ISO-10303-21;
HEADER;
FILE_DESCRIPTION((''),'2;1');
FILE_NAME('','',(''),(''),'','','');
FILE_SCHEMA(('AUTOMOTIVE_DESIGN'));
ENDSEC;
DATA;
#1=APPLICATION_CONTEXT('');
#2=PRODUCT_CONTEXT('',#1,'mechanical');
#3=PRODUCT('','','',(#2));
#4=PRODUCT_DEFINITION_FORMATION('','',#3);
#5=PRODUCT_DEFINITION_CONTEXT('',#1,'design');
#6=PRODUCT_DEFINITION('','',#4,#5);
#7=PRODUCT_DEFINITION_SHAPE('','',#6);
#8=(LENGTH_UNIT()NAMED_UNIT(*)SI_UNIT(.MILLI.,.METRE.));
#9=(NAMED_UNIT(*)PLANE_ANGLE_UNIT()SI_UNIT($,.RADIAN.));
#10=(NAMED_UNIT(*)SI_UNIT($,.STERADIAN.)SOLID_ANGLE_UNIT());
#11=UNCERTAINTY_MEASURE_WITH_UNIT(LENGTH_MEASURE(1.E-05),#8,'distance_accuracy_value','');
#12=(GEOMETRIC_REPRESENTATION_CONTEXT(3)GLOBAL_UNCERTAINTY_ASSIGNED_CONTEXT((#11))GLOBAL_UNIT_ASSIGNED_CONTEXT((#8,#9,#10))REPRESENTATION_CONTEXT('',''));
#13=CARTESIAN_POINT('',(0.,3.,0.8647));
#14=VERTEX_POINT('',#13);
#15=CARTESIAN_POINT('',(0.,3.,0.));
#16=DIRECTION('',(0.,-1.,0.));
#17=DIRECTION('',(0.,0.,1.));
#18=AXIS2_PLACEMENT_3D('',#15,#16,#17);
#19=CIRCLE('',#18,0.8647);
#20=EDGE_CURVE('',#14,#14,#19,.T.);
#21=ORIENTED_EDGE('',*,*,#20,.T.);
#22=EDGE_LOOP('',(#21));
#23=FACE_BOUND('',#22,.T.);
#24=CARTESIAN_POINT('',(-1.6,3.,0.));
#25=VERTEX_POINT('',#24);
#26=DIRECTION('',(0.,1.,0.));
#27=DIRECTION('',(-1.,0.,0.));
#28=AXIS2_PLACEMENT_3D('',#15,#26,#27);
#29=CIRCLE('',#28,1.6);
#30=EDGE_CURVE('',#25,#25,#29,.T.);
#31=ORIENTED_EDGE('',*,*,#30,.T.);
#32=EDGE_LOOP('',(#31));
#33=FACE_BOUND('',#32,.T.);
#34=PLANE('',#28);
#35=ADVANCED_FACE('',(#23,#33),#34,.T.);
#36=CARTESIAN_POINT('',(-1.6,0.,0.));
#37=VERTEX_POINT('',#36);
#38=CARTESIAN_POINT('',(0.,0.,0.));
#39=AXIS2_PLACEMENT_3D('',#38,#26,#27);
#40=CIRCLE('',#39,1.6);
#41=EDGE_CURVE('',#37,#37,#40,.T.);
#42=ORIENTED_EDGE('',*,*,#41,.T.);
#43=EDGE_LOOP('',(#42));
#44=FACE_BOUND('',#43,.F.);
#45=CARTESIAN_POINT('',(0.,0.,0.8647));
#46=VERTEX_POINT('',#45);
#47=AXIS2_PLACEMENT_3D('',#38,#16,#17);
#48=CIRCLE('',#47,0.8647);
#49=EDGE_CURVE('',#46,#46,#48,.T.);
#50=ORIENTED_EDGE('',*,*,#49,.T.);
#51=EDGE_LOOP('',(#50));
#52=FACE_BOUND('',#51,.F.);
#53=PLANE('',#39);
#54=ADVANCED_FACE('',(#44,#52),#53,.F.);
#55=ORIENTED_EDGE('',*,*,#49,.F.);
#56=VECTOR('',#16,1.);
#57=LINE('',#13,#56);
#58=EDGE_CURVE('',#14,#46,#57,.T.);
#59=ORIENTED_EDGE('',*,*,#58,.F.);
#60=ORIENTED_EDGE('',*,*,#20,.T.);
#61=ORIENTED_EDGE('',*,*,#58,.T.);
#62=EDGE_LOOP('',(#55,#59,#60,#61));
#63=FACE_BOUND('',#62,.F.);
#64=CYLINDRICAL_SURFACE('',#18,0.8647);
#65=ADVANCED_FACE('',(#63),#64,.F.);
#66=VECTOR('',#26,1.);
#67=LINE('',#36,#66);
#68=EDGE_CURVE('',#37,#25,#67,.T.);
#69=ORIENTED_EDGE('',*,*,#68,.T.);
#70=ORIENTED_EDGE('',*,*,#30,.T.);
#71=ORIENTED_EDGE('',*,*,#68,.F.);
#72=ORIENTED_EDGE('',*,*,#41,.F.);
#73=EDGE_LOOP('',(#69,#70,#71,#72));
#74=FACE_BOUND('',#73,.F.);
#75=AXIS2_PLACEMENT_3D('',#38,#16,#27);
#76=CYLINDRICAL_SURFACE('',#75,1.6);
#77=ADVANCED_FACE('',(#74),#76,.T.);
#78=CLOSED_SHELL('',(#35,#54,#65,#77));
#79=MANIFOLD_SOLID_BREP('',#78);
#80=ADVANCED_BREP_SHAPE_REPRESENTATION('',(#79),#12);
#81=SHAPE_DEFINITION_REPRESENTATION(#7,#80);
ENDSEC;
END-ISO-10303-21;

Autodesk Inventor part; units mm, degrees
ref_plane "YZ Plane" through (0, 0, 0) normal (1, 0, 0) x (0, 1, 0)
ref_plane "XZ Plane" through (0, 0, 0) normal (0, 1, 0) x (-1, 0, 0)
ref_plane "XY Plane" through (0, 0, 0) normal (0, 0, 1) x (1, 0, 0)
sketch "Sketch1" plane through (0, 0, 0) normal (0, 1, 0) x (-1, 0, 0)
  circle A0 centre (0, 0) radius 1.6
  dimension "d0" = 3.2
extrude "Extrusion1" add sketch "Sketch1" along normal blind 3
sketch "Sketch2" plane through (0, 3, 0) normal (0, 1, 0) x (1, 0, 0)
  point P0 (0, 0)
  point P1 (0, 0)
hole "Hole1" at (0, 3, 0) direction (0, -1, 0) diameter 1.7294 depth 3 tip angle 118 thread size "M2x0.25" class "6H" standard "ISO Metric profile"
properties part number "Inserto Roscado" material "Steel, Mild, Welded"
